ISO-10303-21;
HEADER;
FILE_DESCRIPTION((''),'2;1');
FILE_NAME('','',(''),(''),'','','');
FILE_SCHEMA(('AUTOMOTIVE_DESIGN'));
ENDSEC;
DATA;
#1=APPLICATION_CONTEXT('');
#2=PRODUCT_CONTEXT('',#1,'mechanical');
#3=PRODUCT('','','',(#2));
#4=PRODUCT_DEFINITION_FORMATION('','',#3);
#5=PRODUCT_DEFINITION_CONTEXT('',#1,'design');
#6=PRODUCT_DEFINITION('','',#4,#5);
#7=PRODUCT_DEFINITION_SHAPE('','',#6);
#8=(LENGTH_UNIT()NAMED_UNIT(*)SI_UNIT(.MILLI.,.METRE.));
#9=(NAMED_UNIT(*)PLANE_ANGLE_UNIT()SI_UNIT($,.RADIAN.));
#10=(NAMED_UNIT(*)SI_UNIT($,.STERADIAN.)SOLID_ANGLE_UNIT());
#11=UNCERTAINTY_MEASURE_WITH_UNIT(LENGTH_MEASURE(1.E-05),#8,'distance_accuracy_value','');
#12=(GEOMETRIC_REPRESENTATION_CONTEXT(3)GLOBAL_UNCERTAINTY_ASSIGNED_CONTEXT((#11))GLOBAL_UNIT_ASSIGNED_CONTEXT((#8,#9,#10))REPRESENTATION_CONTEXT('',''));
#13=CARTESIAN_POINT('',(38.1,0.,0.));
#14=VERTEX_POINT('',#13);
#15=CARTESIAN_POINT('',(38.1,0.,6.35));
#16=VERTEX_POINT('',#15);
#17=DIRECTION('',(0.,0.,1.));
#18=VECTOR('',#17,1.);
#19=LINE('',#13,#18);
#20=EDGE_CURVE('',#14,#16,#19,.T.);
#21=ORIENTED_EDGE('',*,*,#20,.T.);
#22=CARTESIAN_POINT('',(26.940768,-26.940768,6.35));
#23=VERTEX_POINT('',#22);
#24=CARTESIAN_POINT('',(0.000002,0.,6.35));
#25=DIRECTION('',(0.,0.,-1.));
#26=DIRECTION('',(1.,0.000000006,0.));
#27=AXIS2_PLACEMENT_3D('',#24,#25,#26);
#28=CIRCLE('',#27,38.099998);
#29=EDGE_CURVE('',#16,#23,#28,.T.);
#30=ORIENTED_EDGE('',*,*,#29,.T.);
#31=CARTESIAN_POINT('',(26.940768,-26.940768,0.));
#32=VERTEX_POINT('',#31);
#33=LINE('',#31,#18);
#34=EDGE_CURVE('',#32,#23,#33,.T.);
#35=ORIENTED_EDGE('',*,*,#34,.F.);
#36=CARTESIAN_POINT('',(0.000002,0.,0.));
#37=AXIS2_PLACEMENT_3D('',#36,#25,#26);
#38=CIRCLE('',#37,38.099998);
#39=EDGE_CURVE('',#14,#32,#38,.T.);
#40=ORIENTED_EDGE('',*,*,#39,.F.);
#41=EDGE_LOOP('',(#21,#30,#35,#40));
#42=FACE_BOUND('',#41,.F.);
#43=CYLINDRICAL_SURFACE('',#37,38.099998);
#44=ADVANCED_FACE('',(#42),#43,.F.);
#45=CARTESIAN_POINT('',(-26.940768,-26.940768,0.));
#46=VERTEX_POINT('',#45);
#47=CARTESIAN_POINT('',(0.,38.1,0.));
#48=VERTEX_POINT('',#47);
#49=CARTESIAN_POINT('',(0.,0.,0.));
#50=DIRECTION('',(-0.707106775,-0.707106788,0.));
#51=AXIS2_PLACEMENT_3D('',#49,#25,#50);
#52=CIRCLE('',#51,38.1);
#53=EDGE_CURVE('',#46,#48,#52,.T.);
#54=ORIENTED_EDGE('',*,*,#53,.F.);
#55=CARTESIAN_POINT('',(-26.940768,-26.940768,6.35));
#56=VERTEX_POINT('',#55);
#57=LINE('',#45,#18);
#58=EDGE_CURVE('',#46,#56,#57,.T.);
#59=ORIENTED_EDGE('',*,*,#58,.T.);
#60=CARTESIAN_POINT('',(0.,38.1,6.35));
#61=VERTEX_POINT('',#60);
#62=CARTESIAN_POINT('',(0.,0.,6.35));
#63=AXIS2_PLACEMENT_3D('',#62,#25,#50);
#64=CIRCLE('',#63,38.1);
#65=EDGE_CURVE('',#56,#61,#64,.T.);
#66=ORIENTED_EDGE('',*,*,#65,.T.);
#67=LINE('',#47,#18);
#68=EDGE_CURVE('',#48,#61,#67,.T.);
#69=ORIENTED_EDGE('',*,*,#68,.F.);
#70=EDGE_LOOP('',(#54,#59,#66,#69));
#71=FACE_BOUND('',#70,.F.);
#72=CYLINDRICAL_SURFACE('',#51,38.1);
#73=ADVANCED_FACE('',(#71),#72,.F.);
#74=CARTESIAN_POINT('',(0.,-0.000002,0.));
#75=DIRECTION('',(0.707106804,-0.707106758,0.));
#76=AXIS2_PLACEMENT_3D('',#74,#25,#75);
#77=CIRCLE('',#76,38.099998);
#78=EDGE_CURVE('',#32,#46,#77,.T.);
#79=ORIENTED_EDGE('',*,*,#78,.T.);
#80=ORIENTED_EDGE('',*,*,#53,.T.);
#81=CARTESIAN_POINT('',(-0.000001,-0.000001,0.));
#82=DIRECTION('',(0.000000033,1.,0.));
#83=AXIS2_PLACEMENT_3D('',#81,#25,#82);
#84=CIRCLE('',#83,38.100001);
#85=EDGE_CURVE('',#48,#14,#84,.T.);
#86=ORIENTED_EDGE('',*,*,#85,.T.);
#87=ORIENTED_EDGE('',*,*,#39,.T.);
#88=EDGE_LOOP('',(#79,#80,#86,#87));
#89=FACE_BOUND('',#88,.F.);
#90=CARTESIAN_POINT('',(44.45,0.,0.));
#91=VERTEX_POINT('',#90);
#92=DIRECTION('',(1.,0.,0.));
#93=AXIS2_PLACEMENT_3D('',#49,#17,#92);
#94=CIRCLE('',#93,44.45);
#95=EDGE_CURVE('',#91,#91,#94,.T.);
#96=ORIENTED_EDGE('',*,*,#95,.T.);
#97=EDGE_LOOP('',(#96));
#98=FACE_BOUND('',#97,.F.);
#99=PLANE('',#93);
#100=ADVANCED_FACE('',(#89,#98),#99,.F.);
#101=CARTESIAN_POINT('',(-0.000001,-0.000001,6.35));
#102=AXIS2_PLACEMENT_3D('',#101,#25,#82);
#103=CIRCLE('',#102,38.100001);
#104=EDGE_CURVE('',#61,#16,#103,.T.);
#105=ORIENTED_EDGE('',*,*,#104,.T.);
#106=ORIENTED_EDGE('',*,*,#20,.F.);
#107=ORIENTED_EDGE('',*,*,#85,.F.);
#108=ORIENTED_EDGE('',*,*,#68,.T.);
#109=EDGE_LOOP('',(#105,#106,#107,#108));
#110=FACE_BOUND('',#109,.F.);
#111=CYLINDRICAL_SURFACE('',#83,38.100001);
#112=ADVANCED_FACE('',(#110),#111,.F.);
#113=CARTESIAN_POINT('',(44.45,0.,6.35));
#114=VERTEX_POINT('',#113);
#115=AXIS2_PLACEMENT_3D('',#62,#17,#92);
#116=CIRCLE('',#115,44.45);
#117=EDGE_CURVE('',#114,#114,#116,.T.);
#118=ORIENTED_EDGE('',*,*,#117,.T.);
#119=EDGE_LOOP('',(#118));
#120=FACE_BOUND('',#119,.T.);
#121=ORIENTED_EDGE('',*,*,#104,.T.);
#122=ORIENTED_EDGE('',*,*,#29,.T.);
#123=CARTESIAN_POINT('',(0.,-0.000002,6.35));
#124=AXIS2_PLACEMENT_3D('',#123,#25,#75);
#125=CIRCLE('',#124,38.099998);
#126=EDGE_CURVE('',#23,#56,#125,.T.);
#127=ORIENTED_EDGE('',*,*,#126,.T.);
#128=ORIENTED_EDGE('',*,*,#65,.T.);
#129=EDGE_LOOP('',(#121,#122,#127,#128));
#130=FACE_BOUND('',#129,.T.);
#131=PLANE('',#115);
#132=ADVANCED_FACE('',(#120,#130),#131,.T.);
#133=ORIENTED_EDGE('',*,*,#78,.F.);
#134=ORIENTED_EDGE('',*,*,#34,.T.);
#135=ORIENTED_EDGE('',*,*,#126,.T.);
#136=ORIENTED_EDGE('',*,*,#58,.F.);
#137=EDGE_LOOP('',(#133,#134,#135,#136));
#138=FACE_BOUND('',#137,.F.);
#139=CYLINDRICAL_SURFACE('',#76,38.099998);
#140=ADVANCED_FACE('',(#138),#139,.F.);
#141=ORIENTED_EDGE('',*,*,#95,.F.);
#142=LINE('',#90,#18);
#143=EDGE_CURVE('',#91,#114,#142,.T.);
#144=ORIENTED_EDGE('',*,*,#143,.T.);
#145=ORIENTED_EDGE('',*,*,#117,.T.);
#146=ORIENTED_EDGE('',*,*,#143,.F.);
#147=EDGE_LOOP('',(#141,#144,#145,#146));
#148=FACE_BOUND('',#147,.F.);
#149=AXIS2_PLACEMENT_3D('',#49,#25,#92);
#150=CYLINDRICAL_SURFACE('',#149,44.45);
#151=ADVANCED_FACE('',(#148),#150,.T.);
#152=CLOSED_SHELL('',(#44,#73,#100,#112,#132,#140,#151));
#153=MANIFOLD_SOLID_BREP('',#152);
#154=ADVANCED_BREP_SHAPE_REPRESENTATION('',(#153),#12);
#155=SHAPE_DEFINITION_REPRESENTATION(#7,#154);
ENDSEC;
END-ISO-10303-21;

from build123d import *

# Parameters (mm, degrees)
F0_R     = 44.45
F1_DEPTH = 6.35


with BuildPart() as f1:
    # F0 (on Top) → F1 (new body)
    with BuildSketch(Plane.XY):
        Circle(F0_R)
        with BuildLine():
            ThreePointArc((26.940768, -26.940768), (0, -38.1), (-26.940768, -26.940768))
            ThreePointArc((-26.940768, -26.940768), (-35.19981, 14.580239), (0, 38.1))
            ThreePointArc((0, 38.1), (26.940768, 26.940768), (38.1, 0))
            ThreePointArc((38.1, 0), (35.19981, -14.580239), (26.940768, -26.940768))
        make_face(mode=Mode.SUBTRACT)
    extrude(amount=F1_DEPTH)


solid = f1.part
